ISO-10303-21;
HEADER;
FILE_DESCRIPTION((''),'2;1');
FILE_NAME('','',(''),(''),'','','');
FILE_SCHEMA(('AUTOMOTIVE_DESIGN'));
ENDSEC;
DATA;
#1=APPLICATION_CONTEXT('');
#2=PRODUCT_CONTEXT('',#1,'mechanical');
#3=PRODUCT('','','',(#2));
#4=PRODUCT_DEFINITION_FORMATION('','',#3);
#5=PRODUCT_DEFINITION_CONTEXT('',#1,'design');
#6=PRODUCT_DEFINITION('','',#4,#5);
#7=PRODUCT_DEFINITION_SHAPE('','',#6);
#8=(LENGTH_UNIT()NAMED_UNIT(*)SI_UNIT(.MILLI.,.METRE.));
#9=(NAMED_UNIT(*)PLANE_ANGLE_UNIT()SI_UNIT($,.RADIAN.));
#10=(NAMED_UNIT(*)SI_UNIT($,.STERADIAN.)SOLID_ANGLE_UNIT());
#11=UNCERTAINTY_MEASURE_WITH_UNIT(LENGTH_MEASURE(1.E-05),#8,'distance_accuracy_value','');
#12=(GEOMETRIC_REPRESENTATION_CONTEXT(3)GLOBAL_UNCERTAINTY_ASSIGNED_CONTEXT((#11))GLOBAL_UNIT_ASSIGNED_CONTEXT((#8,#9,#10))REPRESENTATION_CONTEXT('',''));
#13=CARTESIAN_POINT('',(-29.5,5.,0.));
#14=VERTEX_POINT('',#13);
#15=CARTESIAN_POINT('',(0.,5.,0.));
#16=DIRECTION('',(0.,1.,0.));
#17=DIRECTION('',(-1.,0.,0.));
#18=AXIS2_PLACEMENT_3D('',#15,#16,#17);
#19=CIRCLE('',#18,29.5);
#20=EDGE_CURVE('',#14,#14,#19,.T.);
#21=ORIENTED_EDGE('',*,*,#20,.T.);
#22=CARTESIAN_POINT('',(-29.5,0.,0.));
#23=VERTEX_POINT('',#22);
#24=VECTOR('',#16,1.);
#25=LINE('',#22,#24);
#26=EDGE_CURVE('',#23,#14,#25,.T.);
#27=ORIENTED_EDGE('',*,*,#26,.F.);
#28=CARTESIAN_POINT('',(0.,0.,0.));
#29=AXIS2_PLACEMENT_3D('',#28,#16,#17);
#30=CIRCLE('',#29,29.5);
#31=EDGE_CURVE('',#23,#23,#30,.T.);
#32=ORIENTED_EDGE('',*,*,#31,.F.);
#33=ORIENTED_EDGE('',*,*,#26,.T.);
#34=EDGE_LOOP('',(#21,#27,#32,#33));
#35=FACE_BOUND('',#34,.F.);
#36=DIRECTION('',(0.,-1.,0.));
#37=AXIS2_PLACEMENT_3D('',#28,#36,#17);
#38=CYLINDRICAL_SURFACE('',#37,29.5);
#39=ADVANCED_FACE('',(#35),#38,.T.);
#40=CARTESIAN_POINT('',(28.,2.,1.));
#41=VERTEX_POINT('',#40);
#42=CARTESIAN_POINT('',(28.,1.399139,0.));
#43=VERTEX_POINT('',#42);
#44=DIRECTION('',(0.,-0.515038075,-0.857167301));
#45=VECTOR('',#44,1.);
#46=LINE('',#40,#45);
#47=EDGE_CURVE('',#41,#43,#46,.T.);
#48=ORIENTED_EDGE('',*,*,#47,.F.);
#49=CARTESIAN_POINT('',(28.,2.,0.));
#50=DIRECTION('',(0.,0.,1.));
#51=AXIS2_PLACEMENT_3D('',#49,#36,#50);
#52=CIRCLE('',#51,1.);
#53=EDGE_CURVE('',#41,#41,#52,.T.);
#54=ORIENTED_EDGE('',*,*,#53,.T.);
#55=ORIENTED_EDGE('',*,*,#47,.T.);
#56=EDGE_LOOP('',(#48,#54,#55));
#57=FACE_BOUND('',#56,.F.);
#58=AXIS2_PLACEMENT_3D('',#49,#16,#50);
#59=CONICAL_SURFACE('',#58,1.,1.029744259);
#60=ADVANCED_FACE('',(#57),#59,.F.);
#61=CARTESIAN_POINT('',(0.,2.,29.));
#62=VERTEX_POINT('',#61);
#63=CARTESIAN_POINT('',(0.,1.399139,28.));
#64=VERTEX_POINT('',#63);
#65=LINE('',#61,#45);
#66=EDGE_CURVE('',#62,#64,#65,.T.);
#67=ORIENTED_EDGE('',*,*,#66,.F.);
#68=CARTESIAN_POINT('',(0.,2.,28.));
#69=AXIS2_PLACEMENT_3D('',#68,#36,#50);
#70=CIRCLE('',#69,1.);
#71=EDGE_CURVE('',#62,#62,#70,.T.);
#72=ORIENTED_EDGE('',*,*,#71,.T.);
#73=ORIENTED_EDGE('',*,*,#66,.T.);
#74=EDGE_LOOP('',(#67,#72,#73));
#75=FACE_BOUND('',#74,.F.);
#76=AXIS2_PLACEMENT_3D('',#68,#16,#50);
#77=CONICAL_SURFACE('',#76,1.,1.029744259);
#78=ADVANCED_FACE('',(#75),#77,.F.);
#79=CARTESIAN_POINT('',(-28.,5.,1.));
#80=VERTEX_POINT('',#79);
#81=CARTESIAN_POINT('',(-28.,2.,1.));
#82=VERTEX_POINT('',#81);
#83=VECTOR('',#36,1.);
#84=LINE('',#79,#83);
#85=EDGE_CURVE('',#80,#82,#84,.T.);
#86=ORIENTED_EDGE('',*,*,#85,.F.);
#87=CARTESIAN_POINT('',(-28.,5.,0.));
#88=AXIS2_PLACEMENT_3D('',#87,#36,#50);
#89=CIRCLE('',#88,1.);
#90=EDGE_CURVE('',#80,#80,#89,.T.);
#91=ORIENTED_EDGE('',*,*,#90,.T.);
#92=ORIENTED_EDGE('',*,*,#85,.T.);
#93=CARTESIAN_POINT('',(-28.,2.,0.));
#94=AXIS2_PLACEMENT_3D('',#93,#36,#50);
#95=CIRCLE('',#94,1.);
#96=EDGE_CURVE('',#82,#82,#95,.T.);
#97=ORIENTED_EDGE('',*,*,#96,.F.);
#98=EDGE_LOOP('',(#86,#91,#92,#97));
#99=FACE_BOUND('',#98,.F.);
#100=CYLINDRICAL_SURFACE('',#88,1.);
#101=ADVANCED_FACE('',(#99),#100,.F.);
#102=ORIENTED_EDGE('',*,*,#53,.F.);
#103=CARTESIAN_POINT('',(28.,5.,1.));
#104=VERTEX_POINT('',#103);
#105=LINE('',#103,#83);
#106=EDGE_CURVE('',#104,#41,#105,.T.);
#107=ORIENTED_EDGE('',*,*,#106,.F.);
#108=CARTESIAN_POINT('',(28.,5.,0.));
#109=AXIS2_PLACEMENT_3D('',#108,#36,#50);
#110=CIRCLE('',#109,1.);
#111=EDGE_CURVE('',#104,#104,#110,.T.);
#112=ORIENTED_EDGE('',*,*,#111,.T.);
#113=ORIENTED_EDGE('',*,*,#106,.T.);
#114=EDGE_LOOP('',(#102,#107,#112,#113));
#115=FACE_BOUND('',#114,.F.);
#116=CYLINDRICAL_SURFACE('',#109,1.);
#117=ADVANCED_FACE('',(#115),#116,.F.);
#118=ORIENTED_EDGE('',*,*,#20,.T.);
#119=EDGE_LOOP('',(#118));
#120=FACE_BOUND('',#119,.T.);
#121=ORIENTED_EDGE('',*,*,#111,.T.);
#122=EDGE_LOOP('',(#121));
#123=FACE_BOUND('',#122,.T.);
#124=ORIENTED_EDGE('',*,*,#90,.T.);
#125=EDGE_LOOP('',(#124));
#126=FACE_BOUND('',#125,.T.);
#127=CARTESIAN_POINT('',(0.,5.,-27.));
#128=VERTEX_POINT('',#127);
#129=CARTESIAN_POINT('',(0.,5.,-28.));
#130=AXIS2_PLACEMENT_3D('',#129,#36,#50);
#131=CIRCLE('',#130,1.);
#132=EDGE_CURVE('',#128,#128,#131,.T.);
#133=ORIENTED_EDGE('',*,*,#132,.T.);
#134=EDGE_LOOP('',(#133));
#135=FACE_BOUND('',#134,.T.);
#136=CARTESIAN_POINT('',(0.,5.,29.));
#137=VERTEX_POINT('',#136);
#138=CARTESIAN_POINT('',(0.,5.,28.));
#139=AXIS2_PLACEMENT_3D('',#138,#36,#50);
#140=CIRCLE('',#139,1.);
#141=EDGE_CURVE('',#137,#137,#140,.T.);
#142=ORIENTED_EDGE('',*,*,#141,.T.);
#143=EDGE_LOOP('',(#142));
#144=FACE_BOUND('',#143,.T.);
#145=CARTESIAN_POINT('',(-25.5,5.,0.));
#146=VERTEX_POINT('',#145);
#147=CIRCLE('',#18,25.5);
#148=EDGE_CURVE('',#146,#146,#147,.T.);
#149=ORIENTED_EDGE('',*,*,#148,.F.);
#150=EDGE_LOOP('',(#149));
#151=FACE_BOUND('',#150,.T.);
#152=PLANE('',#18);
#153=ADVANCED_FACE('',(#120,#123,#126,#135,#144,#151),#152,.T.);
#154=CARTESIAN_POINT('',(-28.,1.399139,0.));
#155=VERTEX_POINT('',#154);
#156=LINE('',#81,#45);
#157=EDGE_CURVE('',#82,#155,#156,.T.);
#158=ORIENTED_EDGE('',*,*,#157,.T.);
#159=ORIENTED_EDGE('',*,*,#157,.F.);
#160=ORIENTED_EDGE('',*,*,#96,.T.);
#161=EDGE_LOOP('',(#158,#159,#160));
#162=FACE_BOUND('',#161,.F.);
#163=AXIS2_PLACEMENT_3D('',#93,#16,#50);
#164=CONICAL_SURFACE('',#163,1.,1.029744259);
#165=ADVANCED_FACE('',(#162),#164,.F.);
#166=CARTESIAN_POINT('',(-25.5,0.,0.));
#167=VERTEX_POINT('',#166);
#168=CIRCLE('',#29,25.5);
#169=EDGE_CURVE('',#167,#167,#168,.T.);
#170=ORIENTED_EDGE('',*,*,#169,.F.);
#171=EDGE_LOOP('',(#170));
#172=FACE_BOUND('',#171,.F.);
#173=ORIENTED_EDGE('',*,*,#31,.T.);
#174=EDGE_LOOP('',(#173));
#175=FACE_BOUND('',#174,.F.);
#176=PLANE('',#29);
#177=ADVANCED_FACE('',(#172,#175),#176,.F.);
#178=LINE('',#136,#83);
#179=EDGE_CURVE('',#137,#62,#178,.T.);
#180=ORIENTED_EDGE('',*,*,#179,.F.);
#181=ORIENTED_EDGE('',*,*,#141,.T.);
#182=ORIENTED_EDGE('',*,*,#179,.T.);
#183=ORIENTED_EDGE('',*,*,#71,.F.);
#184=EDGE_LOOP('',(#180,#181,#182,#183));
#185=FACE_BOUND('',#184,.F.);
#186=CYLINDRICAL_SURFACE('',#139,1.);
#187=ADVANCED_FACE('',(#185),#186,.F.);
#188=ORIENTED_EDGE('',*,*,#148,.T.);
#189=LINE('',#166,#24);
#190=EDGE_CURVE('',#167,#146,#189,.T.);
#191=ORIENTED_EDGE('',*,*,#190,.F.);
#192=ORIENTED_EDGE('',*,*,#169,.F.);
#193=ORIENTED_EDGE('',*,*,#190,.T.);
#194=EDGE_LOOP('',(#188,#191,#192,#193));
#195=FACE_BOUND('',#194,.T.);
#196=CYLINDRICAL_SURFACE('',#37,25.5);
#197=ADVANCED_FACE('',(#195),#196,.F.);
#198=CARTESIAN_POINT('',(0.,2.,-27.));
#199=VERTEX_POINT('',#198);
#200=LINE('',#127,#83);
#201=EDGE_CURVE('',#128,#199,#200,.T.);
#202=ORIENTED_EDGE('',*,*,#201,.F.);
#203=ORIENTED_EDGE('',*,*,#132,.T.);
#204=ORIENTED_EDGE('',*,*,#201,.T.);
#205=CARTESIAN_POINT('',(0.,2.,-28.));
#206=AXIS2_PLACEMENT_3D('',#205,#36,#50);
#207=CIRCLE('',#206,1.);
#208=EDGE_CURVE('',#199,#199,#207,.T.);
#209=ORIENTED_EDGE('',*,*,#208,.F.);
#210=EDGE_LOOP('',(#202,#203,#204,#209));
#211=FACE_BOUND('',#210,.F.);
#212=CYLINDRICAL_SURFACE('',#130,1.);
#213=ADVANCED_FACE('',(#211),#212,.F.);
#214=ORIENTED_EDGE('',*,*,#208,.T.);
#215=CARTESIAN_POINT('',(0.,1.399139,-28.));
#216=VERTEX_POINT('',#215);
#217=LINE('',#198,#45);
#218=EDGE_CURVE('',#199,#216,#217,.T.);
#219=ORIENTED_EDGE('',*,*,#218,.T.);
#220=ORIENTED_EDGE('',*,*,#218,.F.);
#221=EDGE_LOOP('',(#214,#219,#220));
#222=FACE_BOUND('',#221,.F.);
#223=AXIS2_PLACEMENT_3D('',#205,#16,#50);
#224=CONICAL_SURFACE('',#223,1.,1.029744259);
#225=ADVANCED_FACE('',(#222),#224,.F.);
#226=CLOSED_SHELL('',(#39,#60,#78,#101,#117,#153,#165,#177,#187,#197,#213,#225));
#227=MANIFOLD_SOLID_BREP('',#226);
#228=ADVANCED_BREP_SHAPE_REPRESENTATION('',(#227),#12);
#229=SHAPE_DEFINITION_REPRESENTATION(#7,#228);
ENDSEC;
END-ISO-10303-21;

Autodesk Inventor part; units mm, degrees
ref_plane "YZ Plane" through (0, 0, 0) normal (1, 0, 0) x (0, 1, 0)
ref_plane "XZ Plane" through (0, 0, 0) normal (0, 1, 0) x (-1, 0, 0)
ref_plane "XY Plane" through (0, 0, 0) normal (0, 0, 1) x (1, 0, 0)
sketch "Sketch1" plane through (0, 0, 0) normal (0, 1, 0) x (-1, 0, 0)
  circle A0 centre (0, 0) radius 25.5
  circle A1 centre (0, 0) radius 29.5
  dimension "d0" = 51
  dimension "d1" = 59
extrude "Extrusion1" add sketch "Sketch1" along normal blind 5
sketch "Sketch2" plane through (0, 5, 0) normal (0, 1, 0) x (1, 0, 0)
  circle A0 centre (0, -28) radius 1
  point P0 (0, 0)
  dimension "d4" = 2
  dimension "d5" = 28
sketch "Sketch3" plane through (0, 5, 0) normal (0, 1, 0) x (1, 0, 0)
  circle A0 centre (-28, 0) radius 1
  point P0 (0, 0)
  dimension "d6" = 2
  dimension "d7" = 28
sketch "Sketch4" plane through (0, 5, 0) normal (0, 1, 0) x (1, 0, 0)
  circle A0 centre (0, 28) radius 1
  point P0 (0, 0)
  dimension "d8" = 2
  dimension "d9" = 28
sketch "Sketch5" plane through (0, 5, 0) normal (0, 1, 0) x (1, 0, 0)
  circle A0 centre (28, 0) radius 1
  point P0 (0, 0)
  dimension "d10" = 2
  dimension "d11" = 28
hole "Hole1" at (0, 5, 28) direction (0, -1, 0) diameter 2 depth 3 tip angle 118
hole "Hole2" at (-28, 5, 0) direction (0, -1, 0) diameter 2 depth 3 tip angle 118
hole "Hole3" at (0, 5, -28) direction (0, -1, 0) diameter 2 depth 3 tip angle 118
hole "Hole4" at (28, 5, 0) direction (0, -1, 0) diameter 2 depth 3 tip angle 118
thread "Thread1" size "M2x0.4" class "6H" standard "ANSI Metric M Profile" full length
thread "Thread2" size "M2x0.4" class "6H" standard "ANSI Metric M Profile" full length
thread "Thread3" size "M2x0.4" class "6H" standard "ANSI Metric M Profile" full length
thread "Thread4" size "M2x0.4" class "6H" standard "ANSI Metric M Profile" full length
properties part number "PMT Cap"
